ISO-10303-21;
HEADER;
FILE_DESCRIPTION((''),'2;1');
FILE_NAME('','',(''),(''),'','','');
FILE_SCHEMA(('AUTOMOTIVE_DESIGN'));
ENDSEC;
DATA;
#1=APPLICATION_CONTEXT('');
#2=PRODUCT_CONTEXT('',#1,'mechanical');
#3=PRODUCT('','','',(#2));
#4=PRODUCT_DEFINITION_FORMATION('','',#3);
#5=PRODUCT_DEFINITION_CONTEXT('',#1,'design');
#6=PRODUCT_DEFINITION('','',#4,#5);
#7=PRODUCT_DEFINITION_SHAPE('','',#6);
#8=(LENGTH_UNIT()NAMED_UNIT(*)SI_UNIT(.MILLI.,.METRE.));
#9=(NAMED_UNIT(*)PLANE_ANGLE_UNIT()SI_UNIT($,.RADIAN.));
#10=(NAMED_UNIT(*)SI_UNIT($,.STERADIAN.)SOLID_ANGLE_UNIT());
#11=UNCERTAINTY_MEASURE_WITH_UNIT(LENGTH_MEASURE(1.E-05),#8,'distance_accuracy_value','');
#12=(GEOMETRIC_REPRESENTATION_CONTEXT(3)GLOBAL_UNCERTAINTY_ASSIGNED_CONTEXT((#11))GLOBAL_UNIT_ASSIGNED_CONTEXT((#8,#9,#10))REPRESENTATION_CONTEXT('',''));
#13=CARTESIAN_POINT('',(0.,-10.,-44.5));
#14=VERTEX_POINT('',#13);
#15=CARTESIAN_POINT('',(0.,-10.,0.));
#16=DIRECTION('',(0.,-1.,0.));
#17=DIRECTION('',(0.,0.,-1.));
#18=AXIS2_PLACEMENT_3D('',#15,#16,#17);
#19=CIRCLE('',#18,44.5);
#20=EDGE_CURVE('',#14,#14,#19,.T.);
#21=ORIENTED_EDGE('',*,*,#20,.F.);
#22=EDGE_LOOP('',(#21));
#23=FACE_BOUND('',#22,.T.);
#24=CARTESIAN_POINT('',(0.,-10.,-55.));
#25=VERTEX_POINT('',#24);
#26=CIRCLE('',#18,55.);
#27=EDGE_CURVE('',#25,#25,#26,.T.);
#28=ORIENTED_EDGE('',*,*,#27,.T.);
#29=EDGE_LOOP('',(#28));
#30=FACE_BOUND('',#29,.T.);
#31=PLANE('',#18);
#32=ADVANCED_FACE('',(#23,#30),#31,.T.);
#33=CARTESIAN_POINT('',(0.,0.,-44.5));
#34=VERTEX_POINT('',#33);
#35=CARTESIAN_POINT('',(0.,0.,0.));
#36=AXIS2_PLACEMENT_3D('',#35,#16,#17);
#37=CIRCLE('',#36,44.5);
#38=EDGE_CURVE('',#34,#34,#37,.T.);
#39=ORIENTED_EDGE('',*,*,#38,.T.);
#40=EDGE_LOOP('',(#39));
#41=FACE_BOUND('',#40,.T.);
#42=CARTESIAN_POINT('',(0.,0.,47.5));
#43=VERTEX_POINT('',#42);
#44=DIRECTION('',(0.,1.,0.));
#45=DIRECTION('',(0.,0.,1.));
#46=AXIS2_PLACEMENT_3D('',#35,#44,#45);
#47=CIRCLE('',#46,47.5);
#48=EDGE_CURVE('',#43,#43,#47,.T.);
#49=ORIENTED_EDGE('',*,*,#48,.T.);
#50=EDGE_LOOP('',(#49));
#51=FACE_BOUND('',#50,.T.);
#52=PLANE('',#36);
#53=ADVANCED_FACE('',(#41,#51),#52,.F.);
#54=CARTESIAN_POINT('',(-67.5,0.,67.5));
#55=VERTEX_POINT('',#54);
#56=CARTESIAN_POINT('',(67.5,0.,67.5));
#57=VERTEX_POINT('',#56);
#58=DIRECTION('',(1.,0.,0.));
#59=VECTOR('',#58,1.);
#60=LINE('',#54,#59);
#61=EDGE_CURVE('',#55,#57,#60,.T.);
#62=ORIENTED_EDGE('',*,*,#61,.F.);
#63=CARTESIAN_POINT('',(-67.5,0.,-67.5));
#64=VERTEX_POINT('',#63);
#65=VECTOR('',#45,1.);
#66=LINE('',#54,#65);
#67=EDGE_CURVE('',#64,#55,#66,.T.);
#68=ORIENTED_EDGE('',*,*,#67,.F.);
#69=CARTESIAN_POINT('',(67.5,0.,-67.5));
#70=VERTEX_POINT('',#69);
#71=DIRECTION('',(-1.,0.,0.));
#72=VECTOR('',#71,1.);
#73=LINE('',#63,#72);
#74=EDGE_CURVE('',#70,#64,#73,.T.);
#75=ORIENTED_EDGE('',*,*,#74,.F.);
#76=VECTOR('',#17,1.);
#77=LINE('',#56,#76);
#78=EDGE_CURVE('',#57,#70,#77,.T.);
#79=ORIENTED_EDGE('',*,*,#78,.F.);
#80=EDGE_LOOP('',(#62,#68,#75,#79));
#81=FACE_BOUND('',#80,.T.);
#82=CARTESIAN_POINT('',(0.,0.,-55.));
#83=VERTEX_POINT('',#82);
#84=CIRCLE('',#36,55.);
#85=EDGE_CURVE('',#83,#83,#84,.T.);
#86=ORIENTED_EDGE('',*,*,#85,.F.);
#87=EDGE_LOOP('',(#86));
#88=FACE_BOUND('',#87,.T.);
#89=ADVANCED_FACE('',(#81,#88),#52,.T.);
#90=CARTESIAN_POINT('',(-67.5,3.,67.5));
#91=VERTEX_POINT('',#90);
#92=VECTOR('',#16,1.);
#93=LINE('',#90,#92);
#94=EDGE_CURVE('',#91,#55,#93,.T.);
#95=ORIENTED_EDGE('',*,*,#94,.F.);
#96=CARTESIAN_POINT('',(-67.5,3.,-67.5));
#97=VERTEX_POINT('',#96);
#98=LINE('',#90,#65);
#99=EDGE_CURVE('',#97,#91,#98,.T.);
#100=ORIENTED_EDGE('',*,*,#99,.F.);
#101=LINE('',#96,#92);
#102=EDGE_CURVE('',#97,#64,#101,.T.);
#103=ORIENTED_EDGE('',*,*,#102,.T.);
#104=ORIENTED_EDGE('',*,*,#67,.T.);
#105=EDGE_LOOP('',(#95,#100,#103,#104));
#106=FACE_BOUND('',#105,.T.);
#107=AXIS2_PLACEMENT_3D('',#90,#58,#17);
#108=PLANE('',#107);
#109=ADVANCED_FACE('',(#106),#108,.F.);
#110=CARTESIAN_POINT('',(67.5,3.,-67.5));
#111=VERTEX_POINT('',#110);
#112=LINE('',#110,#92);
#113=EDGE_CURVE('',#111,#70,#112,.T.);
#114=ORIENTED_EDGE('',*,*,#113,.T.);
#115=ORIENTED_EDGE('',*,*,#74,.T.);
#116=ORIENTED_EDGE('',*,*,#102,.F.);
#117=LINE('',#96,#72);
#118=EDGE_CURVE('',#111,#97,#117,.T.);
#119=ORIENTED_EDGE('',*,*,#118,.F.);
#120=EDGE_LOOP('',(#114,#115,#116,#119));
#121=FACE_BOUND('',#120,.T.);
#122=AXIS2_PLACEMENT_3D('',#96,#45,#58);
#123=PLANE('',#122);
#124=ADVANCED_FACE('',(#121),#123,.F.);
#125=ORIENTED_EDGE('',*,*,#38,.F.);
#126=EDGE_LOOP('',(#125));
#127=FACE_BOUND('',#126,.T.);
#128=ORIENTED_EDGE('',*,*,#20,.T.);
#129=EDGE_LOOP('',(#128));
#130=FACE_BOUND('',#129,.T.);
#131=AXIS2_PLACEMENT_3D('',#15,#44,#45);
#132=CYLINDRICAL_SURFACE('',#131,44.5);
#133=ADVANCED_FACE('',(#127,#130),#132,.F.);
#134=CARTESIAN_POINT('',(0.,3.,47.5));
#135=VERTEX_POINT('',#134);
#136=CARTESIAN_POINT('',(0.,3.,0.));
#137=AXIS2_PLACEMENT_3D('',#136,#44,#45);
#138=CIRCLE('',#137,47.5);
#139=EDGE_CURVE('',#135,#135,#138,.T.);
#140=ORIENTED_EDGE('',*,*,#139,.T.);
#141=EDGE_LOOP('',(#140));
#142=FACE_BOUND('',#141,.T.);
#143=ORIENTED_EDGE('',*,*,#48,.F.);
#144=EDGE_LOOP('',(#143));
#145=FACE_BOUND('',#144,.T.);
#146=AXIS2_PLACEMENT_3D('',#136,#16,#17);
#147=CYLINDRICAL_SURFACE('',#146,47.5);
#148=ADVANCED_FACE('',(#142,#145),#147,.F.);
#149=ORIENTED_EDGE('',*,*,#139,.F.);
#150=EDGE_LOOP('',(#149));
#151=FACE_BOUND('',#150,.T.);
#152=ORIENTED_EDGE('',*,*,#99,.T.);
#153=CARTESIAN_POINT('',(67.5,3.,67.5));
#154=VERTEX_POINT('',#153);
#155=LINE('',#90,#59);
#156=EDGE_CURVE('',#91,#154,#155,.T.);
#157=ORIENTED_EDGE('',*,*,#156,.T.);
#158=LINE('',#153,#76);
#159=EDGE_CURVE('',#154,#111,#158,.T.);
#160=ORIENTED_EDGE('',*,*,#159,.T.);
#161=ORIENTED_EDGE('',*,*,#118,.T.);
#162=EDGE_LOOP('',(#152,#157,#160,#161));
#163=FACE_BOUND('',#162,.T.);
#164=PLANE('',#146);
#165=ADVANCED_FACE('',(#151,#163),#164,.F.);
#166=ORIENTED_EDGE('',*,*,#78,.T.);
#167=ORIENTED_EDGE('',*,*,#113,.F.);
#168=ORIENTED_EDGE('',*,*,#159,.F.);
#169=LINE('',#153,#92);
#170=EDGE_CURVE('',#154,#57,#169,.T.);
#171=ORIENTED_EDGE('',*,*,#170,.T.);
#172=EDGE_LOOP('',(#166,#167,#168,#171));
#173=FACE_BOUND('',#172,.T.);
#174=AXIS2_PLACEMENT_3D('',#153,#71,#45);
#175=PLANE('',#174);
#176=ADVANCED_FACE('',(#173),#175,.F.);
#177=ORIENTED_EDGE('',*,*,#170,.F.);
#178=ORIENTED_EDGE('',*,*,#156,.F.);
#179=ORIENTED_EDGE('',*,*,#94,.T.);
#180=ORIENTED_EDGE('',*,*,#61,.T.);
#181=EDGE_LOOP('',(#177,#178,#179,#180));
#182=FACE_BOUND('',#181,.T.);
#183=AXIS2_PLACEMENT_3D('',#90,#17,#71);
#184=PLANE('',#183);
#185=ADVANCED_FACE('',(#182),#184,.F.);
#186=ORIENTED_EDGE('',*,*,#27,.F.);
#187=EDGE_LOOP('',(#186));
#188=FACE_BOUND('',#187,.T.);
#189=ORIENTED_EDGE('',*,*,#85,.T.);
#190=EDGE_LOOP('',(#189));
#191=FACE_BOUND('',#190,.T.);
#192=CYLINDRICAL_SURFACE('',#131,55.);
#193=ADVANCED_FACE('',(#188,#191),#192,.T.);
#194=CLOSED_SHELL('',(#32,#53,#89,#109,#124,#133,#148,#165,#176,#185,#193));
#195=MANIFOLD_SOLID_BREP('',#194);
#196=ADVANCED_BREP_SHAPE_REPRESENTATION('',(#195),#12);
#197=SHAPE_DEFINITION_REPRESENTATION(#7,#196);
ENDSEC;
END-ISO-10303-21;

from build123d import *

# Parameters (mm, degrees)
SKETCH1_W           = 135
SKETCH1_H           = 135
SKETCH1_R           = 47.5
BOSS_EXTRUDE1_DEPTH = 3
SKETCH2_R           = 55
SKETCH2_R_2         = 44.5
BOSS_EXTRUDE2_DEPTH = 10


with BuildPart() as part:
    # Sketch1 → Boss-Extrude1 (new body)
    with BuildSketch(Plane(origin=(0, 0, 0), x_dir=(1, 0, 0), z_dir=(0, 1, 0))):
        Rectangle(SKETCH1_W, SKETCH1_H)
        Circle(SKETCH1_R, mode=Mode.SUBTRACT)
    extrude(amount=BOSS_EXTRUDE1_DEPTH)

    # Sketch2 → Boss-Extrude2 (add)
    with BuildSketch(Plane.XZ):
        Circle(SKETCH2_R)
        Circle(SKETCH2_R_2, mode=Mode.SUBTRACT)
    extrude(amount=BOSS_EXTRUDE2_DEPTH)


solid = part.part
